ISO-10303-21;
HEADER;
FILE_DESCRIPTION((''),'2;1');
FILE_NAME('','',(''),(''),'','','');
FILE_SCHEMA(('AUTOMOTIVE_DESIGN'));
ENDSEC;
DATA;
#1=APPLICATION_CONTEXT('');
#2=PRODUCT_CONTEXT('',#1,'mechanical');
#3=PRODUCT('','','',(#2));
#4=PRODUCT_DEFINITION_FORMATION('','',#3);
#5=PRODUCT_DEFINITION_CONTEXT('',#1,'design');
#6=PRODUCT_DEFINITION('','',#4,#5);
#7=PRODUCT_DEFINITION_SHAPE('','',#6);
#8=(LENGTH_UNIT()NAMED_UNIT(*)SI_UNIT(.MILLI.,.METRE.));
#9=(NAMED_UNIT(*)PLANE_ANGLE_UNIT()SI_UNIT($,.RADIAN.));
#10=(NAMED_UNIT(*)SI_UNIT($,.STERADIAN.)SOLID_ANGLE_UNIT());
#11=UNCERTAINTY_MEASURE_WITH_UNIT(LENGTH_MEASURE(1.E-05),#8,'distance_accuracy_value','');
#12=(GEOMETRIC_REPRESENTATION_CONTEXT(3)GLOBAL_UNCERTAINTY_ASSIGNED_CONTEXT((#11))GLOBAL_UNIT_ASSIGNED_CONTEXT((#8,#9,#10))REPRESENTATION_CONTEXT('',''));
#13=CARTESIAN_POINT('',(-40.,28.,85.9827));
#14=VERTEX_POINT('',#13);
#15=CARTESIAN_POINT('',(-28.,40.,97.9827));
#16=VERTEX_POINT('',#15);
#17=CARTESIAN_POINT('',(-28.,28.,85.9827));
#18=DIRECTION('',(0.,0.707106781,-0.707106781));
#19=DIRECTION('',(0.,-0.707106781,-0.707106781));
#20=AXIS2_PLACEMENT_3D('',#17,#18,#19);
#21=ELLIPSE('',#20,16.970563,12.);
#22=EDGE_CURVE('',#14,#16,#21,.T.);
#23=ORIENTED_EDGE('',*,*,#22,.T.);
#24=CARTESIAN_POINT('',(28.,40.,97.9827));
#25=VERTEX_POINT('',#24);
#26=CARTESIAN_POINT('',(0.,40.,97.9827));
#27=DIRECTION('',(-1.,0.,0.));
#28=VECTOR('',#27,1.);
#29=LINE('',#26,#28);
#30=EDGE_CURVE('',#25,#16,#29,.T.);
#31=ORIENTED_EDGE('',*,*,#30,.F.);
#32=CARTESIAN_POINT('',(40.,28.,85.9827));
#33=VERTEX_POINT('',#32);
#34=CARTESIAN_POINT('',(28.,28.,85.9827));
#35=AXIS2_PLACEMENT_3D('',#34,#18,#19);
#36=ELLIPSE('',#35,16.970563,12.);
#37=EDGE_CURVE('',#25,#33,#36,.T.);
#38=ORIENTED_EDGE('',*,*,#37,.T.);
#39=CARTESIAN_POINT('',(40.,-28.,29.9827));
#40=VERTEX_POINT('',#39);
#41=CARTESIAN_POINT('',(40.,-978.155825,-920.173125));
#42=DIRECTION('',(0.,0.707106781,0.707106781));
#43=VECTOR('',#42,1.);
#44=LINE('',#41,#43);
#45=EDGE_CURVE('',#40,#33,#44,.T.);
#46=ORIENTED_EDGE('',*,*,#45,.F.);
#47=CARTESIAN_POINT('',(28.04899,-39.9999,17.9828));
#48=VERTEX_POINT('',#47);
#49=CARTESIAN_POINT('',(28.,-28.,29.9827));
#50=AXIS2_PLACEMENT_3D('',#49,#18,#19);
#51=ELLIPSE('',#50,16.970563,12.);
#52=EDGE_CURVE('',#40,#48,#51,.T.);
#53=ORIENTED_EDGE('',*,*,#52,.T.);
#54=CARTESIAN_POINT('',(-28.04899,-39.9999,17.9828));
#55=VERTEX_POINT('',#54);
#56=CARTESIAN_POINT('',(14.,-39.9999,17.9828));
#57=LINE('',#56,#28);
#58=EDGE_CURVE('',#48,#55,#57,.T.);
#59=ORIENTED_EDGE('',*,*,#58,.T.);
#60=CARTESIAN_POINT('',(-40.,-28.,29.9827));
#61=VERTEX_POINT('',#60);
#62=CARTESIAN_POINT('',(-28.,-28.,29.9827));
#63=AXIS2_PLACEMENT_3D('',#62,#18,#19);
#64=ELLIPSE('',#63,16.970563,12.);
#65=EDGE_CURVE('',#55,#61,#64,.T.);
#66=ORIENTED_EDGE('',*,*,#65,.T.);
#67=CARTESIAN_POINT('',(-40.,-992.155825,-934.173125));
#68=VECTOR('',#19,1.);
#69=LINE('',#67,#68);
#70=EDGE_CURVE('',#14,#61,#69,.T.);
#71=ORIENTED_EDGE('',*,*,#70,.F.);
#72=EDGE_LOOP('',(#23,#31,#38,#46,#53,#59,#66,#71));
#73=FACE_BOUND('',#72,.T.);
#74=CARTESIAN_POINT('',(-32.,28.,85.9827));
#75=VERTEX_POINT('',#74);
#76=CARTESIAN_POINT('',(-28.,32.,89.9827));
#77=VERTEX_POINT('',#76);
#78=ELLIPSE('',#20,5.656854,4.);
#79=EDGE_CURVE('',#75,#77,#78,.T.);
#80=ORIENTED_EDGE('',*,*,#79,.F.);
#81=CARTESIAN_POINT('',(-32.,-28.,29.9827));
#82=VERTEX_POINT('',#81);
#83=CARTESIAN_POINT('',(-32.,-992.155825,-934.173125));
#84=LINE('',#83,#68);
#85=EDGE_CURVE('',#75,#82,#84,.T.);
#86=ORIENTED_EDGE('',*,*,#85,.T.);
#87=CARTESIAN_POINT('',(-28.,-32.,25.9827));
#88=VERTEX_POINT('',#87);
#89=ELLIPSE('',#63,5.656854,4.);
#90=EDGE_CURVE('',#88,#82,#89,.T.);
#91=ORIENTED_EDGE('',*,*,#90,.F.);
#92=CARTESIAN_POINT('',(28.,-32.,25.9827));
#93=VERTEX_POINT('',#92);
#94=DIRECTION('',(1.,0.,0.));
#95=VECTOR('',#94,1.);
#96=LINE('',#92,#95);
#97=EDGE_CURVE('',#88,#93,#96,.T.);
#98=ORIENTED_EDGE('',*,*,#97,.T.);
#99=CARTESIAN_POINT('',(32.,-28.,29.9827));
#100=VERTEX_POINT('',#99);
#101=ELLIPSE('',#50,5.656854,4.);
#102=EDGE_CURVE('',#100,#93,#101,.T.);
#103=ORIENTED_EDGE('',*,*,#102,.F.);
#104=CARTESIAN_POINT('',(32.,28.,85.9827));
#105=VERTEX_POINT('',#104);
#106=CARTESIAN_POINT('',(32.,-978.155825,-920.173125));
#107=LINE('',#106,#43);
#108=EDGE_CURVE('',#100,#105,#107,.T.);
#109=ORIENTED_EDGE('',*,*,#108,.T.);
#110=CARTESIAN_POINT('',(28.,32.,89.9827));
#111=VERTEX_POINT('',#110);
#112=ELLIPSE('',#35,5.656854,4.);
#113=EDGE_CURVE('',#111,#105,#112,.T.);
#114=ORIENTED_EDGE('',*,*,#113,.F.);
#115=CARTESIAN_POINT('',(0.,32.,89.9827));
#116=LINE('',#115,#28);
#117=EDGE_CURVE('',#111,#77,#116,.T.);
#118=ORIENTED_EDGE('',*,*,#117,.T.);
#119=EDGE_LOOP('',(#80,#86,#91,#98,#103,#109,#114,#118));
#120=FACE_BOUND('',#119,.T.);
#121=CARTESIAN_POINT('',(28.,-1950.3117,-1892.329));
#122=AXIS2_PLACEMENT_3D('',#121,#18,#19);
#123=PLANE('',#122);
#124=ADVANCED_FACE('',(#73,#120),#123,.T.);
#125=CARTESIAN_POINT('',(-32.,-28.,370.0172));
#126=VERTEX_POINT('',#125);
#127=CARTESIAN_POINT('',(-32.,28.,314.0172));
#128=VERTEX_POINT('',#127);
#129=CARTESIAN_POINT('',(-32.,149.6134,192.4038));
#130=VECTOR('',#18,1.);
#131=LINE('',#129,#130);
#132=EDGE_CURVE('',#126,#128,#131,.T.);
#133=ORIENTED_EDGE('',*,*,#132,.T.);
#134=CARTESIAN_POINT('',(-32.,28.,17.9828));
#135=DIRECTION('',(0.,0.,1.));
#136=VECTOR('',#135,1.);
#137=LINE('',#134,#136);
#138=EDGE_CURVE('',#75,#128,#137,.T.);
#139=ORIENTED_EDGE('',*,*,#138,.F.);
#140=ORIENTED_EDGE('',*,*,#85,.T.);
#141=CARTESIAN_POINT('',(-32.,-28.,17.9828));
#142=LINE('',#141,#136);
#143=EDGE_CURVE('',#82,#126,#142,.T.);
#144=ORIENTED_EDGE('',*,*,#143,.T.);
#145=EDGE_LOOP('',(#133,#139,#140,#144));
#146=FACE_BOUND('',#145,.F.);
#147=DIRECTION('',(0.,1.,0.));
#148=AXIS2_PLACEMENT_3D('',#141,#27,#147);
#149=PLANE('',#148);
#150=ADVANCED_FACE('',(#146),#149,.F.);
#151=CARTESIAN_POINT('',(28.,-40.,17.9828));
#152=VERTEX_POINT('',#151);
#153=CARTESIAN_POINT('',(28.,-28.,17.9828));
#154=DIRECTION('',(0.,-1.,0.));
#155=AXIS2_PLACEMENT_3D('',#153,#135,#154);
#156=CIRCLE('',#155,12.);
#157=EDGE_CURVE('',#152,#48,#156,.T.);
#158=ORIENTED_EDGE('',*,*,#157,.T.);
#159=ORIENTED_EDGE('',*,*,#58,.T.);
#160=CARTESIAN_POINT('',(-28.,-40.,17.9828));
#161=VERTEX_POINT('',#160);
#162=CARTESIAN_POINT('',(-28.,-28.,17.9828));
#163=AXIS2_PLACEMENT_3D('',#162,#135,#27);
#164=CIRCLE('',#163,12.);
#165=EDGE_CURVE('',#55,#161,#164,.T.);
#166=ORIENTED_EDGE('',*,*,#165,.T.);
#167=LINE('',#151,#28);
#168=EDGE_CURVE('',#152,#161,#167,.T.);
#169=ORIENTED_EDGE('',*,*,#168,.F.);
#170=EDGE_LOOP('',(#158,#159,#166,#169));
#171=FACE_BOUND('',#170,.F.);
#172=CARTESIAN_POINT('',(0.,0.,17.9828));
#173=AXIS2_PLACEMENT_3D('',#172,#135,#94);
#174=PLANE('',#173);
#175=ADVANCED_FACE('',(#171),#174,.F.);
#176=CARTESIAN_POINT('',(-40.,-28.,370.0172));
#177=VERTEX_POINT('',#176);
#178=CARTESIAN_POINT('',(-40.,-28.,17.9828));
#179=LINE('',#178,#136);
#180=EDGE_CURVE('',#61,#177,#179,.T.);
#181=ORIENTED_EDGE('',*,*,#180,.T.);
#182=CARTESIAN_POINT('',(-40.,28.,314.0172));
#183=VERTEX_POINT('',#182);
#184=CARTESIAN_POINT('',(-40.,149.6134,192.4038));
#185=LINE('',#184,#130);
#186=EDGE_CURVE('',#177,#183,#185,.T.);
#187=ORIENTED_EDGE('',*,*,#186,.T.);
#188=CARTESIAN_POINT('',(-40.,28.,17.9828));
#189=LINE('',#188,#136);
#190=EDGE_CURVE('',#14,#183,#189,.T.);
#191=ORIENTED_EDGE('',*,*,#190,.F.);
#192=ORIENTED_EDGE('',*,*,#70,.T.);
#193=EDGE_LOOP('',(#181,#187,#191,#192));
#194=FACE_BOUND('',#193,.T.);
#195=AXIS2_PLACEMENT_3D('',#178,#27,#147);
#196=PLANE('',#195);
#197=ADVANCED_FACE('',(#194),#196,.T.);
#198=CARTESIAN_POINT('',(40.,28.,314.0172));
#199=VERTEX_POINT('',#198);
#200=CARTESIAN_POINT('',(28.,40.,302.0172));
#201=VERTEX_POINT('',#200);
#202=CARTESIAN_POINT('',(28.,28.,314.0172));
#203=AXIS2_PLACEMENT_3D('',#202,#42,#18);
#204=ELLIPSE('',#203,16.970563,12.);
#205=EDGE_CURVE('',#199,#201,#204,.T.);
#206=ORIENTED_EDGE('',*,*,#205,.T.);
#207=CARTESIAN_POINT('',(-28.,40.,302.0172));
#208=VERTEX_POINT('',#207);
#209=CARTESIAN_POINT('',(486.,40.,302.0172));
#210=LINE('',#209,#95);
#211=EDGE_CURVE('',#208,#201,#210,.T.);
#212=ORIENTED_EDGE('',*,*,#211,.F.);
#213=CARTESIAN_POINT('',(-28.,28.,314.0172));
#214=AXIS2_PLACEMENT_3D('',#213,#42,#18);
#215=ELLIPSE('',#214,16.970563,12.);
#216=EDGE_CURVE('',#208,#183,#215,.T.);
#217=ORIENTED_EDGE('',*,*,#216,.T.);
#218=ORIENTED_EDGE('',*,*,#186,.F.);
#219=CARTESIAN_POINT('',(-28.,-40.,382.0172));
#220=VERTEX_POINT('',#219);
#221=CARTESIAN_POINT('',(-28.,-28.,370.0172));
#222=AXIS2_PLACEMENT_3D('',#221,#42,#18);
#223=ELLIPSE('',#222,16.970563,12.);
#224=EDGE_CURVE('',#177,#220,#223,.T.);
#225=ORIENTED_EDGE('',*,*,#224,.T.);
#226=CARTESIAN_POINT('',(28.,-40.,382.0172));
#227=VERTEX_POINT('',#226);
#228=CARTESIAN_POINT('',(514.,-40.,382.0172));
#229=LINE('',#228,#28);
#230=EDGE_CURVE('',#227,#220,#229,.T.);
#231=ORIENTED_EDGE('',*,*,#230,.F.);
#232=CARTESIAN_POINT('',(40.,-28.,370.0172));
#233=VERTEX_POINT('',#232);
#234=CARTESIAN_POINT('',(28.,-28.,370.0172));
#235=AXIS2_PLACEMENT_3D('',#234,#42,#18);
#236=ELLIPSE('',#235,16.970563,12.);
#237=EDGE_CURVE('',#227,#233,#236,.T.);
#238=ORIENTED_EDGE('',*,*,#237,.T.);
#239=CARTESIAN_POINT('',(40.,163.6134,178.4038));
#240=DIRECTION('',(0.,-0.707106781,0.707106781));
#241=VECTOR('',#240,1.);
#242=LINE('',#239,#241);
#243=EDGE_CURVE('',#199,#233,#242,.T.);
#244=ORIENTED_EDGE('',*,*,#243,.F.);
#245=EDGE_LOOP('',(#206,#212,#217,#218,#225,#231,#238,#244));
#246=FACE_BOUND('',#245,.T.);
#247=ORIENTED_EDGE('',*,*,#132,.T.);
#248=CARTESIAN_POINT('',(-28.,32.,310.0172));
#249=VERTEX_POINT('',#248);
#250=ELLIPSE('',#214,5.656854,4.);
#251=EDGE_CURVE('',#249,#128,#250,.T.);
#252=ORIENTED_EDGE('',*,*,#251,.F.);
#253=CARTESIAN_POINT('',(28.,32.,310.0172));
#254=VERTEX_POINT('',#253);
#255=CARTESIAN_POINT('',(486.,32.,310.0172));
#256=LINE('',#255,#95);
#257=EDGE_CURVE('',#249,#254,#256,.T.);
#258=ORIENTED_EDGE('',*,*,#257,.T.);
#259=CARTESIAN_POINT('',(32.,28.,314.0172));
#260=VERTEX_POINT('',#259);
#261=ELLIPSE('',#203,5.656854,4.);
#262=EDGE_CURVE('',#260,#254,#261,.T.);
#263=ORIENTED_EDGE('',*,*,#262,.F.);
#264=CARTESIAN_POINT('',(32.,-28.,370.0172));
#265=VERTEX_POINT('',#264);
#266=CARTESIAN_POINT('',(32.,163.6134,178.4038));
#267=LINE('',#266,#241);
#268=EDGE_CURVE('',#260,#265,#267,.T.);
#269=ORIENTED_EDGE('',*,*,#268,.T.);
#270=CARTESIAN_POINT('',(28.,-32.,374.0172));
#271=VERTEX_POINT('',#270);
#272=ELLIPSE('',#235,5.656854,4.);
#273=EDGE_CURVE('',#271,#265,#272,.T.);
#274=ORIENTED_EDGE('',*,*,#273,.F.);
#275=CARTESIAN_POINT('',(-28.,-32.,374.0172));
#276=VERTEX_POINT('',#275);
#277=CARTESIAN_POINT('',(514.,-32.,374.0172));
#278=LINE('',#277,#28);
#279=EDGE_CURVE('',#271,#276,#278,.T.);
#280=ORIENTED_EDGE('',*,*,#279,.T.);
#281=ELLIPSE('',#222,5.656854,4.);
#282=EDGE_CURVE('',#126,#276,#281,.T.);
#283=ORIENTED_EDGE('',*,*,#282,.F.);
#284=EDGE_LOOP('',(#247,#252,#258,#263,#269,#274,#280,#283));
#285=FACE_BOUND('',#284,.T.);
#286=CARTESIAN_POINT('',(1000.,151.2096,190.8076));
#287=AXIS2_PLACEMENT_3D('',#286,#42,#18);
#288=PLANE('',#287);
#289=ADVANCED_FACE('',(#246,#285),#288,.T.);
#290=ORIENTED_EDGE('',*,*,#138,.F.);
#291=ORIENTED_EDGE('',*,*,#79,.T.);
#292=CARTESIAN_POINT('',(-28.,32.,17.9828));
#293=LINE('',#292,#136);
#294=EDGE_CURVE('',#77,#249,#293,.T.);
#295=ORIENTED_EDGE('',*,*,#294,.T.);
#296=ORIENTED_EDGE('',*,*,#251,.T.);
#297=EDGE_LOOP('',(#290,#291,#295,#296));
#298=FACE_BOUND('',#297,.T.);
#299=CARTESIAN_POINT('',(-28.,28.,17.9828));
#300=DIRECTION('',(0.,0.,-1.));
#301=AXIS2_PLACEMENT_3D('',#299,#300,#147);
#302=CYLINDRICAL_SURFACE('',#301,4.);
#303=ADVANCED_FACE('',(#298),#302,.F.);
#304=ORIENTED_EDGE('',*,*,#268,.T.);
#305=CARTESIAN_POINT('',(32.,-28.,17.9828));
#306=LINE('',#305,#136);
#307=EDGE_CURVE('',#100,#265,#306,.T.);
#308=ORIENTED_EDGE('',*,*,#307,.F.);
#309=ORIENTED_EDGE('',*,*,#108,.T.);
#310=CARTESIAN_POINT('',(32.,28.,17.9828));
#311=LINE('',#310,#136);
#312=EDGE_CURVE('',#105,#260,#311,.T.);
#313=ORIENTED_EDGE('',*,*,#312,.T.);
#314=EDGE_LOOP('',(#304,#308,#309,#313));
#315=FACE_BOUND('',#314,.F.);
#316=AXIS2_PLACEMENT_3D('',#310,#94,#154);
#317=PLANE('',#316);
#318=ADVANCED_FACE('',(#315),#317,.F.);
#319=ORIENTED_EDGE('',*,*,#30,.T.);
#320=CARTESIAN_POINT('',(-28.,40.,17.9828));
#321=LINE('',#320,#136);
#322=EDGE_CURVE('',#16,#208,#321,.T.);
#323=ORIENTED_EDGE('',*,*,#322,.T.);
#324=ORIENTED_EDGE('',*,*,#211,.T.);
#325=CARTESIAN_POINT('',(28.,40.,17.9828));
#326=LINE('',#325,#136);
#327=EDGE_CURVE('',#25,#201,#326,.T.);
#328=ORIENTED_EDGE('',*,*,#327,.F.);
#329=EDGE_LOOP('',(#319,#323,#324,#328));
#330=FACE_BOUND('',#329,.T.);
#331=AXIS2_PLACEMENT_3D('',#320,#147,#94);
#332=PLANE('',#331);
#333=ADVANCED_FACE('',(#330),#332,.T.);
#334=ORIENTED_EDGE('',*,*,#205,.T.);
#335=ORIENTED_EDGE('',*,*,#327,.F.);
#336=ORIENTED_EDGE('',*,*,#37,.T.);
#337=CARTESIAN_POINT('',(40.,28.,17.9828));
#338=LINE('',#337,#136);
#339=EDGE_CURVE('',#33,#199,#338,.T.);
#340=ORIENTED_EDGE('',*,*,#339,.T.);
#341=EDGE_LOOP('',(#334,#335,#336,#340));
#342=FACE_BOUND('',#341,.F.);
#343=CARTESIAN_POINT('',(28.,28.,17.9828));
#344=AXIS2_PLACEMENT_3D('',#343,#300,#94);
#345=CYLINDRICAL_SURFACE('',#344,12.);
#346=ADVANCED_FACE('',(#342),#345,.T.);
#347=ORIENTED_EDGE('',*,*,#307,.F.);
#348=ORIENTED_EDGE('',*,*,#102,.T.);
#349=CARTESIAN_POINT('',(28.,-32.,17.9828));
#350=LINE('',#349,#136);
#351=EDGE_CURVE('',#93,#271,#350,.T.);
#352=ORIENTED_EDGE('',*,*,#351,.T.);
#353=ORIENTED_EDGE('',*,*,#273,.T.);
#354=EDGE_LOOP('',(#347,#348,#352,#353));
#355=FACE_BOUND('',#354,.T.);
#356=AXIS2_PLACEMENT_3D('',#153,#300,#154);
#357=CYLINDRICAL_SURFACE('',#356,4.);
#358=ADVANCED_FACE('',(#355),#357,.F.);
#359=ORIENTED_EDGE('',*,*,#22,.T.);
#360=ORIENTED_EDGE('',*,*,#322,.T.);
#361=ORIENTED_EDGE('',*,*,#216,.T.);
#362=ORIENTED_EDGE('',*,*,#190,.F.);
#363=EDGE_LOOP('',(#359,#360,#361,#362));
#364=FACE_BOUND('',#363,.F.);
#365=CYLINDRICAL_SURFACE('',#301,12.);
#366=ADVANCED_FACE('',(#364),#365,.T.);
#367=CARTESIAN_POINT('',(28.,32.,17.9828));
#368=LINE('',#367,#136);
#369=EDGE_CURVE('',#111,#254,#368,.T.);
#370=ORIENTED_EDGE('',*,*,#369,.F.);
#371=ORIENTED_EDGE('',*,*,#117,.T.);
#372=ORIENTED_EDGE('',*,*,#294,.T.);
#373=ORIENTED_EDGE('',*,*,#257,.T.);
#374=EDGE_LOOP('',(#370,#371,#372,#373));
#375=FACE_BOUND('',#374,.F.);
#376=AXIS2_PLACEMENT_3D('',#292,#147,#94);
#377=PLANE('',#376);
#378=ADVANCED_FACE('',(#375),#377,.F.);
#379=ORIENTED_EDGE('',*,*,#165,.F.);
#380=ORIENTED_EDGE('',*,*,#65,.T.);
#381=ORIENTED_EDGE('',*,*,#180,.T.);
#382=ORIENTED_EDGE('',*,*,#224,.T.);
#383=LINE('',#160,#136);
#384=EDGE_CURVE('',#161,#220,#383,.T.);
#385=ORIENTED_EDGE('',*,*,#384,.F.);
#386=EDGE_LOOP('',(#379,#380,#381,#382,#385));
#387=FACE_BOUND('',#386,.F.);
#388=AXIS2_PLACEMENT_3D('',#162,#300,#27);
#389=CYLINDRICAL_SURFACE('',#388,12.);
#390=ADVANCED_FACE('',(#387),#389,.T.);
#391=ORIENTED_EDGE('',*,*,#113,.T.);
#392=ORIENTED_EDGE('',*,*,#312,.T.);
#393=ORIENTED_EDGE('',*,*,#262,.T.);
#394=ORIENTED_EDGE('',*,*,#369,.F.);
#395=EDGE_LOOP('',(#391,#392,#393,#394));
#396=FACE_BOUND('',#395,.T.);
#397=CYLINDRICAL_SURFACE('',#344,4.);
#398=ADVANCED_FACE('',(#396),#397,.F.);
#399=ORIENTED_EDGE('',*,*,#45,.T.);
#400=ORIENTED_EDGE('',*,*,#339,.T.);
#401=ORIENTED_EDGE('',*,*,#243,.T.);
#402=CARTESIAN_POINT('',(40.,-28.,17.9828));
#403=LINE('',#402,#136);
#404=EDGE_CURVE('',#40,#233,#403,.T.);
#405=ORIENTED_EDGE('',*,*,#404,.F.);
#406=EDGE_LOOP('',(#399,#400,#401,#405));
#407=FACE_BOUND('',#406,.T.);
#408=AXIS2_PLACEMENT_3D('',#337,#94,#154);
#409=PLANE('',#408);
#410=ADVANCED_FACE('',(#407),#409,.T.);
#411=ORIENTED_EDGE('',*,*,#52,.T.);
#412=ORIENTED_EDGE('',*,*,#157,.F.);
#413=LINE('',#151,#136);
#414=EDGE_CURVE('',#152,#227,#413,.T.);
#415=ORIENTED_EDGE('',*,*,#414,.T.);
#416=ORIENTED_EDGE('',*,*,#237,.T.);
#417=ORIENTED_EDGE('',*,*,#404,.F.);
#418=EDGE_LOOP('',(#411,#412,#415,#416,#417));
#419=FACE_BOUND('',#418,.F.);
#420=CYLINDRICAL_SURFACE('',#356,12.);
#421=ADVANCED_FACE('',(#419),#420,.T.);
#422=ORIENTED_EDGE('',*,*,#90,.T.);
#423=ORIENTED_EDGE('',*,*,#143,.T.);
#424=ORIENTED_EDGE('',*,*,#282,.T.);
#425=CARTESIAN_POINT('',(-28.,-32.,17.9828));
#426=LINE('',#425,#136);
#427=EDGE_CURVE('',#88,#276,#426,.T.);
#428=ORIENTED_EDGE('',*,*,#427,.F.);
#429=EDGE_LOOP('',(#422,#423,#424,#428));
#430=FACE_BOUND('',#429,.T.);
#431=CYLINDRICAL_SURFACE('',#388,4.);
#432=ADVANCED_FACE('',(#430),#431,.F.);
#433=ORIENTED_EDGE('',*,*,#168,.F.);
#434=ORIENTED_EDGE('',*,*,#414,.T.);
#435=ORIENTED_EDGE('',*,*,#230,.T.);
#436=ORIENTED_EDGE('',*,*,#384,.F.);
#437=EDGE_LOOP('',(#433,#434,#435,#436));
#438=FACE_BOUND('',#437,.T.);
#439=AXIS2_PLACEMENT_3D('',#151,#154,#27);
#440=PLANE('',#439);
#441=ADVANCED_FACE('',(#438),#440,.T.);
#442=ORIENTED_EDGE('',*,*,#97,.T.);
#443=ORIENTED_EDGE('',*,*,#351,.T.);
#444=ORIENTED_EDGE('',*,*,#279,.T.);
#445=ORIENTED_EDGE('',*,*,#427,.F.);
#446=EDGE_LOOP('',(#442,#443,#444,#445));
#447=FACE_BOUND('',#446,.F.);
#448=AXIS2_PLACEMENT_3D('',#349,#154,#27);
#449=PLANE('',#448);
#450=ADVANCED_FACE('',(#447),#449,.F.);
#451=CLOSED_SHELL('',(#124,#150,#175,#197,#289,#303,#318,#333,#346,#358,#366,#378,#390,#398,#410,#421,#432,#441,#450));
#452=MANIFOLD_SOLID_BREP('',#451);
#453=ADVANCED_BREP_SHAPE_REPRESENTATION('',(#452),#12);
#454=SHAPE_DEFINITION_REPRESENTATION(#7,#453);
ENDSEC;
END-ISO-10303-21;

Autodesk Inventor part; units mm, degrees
ref_plane "Start Plane" through (0, 0, 17.9828) normal (0, 0, 1) x (1, 0, 0)
ref_plane "End Plane" through (0, 0, 382.0172) normal (0, 0, 1) x (1, 0, 0)
sketch "Sketch" plane through (0, 0, 0) normal (0, 0, 1) x (1, 0, 0)
  line L0 (-40, -28) -> (-40, 28)
  line L1 (-28, 40) -> (28, 40)
  line L2 (40, 28) -> (40, -28)
  line L3 (28, -40) -> (-28, -40)
  arc A0 (-40, -28) -> (-28, -40) centre (-28, -28) ccw
  arc A1 (-28, 40) -> (-40, 28) centre (-28, 28) ccw
  arc A2 (40, 28) -> (28, 40) centre (28, 28) ccw
  arc A3 (28, -40) -> (40, -28) centre (28, -28) ccw
  arc A4 (-28, 32) -> (-32, 28) centre (-28, 28) ccw
  line L4 (-28, 32) -> (28, 32)
  arc A5 (32, 28) -> (28, 32) centre (28, 28) ccw
  line L5 (32, 28) -> (32, -28)
  arc A6 (28, -32) -> (32, -28) centre (28, -28) ccw
  line L6 (28, -32) -> (-28, -32)
  arc A7 (-32, -28) -> (-28, -32) centre (-28, -28) ccw
  line L7 (-32, -28) -> (-32, 28)
  line L8 (0, 59.4794) -> (0, -59.4794) construction
  line L9 (-59.4794, 0) -> (59.4794, 0) construction
  dimension "d7" = 12
  dimension "d10" = 80
  dimension "d11" = 80
  dimension "d12" = 8
  dimension "d15" = 40
  dimension "d16" = 40
extrude "Body" add sketch "Sketch" along normal up to surface (364.0345 mm away) from surface at 17.9828
sketch "Sketch3" plane through (0, 0, 0) normal (0, 0, 1) x (1, 0, 0)
  line L0 (0, 0) -> (10, 0)
ref_plane "Work Plane3" through (0, 0, 0) normal (0, -1, 0) x (1, 0, 0)
ref_plane "Work Plane4" through (1000, 151.2096, 190.8076) normal (0, 0.7071, 0.7071) x (1, 0, 0)
split "Split1" plane through (1000, 151.2096, 190.8076) removes the side toward (0, 0.7071, 0.7071)
ref_plane "Work Plane5" through (28, -1950.3117, -1892.329) normal (0, 0.7071, -0.7071) x (1, 0, 0)
split "Split2" plane through (28, -1950.3117, -1892.329) removes the side toward (0, 0.7071, -0.7071)
sketch "Sketch4" plane through (0, 0, 0) normal (0, -1, 0) x (1, 0, 0)
  line L0 (-2, 17.9828) -> (12, 17.9828) projected
  line L1 (-2, 382.0172) -> (12, 382.0172) projected
  dimension "d18" = 364.0345
equation "\"d7\" = G_IR"
equation "\"d10\" = G_H"
equation "\"d11\" = G_W"
equation "\"d12\" = G_T"
equation "\"d15\" = 0.5 * d10"
equation "\"d16\" = 0.5 * d11"
equation "\"d3\" = G_L"
equation "\"G_W\" = 80"
equation "\"G_H\" = 80"
equation "\"G_T\" = 8"
equation "\"G_IR\" = 12"
equation "\"G_L\" = d18"
equation "\"G_OFFSET_START\" = -17.98276"
equation "\"G_OFFSET_END\" = -17.98276"
equation "\"d13\" = -G_OFFSET_START"
equation "\"d14\" = G_OFFSET_END + B_L"
equation "\"B_L\" = 400"
properties part number "ISO 12633-2 - 80x80x8 - 364.03" material "Steel, Mild"
